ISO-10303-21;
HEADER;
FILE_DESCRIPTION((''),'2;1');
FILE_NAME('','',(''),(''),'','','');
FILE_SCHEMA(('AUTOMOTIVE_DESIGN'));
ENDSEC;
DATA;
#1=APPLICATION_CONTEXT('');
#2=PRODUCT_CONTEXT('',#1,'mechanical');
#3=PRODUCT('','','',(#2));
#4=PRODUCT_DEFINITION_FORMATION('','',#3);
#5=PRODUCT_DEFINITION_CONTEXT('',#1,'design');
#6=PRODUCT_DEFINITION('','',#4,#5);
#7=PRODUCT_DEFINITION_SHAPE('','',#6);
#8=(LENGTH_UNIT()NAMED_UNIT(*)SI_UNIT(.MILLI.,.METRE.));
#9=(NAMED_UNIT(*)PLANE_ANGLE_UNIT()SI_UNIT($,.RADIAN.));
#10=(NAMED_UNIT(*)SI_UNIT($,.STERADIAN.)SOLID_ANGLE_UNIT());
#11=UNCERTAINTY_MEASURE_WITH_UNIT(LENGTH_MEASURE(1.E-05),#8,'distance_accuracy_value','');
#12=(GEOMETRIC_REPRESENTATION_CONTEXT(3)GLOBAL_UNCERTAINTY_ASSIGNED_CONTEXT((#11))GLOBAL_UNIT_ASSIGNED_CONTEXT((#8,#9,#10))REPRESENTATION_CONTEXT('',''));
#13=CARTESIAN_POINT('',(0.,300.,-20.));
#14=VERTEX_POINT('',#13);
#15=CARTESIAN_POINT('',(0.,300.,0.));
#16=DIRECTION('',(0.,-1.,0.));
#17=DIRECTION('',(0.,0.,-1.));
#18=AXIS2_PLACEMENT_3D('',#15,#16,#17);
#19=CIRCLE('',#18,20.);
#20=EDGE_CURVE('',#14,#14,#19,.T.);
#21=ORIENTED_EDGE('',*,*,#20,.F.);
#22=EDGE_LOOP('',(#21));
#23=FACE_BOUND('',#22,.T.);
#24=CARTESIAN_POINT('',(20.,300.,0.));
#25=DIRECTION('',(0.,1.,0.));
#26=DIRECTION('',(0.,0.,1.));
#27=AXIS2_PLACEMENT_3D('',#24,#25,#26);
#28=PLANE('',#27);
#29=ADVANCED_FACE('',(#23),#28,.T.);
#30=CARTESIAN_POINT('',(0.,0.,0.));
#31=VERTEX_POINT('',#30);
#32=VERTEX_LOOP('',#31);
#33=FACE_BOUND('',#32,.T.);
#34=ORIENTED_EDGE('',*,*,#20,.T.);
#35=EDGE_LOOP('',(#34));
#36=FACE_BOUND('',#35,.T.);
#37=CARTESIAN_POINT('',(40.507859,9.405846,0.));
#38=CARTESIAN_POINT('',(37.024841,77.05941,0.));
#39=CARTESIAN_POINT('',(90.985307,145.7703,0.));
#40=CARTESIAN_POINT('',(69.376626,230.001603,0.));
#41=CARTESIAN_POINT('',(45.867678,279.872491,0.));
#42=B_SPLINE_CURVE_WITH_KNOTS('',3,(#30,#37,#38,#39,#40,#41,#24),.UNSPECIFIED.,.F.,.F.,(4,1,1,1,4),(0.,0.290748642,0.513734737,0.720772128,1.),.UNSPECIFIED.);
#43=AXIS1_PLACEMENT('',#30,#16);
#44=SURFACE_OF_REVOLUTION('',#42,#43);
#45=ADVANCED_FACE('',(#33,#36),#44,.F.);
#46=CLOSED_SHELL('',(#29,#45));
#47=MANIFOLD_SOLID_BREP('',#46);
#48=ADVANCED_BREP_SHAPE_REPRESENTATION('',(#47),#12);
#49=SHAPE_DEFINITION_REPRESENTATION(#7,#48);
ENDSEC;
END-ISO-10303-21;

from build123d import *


with BuildPart() as part:
    # 草图1 → 旋转1 (revolve)
    with BuildSketch(Plane.XY):
        with BuildLine():
            Line((20, 300), (0, 300))
            Line((0, 300), (0, 0))
            add(Edge.make_bspline(
                [(0, 0), (40.507859194, 9.405845809), (37.024840646, 77.059409949), (90.985306991, 145.770300316), (69.376626103, 230.001602705), (45.86767777, 279.872491051), (20, 300)],
                knots=[0, 0, 0, 0, 0.290748642, 0.513734737, 0.720772128, 1, 1, 1, 1], degree=3))
        make_face()
    revolve(axis=Axis((0, 0, 0), (0, 1, 0)))


solid = part.part
